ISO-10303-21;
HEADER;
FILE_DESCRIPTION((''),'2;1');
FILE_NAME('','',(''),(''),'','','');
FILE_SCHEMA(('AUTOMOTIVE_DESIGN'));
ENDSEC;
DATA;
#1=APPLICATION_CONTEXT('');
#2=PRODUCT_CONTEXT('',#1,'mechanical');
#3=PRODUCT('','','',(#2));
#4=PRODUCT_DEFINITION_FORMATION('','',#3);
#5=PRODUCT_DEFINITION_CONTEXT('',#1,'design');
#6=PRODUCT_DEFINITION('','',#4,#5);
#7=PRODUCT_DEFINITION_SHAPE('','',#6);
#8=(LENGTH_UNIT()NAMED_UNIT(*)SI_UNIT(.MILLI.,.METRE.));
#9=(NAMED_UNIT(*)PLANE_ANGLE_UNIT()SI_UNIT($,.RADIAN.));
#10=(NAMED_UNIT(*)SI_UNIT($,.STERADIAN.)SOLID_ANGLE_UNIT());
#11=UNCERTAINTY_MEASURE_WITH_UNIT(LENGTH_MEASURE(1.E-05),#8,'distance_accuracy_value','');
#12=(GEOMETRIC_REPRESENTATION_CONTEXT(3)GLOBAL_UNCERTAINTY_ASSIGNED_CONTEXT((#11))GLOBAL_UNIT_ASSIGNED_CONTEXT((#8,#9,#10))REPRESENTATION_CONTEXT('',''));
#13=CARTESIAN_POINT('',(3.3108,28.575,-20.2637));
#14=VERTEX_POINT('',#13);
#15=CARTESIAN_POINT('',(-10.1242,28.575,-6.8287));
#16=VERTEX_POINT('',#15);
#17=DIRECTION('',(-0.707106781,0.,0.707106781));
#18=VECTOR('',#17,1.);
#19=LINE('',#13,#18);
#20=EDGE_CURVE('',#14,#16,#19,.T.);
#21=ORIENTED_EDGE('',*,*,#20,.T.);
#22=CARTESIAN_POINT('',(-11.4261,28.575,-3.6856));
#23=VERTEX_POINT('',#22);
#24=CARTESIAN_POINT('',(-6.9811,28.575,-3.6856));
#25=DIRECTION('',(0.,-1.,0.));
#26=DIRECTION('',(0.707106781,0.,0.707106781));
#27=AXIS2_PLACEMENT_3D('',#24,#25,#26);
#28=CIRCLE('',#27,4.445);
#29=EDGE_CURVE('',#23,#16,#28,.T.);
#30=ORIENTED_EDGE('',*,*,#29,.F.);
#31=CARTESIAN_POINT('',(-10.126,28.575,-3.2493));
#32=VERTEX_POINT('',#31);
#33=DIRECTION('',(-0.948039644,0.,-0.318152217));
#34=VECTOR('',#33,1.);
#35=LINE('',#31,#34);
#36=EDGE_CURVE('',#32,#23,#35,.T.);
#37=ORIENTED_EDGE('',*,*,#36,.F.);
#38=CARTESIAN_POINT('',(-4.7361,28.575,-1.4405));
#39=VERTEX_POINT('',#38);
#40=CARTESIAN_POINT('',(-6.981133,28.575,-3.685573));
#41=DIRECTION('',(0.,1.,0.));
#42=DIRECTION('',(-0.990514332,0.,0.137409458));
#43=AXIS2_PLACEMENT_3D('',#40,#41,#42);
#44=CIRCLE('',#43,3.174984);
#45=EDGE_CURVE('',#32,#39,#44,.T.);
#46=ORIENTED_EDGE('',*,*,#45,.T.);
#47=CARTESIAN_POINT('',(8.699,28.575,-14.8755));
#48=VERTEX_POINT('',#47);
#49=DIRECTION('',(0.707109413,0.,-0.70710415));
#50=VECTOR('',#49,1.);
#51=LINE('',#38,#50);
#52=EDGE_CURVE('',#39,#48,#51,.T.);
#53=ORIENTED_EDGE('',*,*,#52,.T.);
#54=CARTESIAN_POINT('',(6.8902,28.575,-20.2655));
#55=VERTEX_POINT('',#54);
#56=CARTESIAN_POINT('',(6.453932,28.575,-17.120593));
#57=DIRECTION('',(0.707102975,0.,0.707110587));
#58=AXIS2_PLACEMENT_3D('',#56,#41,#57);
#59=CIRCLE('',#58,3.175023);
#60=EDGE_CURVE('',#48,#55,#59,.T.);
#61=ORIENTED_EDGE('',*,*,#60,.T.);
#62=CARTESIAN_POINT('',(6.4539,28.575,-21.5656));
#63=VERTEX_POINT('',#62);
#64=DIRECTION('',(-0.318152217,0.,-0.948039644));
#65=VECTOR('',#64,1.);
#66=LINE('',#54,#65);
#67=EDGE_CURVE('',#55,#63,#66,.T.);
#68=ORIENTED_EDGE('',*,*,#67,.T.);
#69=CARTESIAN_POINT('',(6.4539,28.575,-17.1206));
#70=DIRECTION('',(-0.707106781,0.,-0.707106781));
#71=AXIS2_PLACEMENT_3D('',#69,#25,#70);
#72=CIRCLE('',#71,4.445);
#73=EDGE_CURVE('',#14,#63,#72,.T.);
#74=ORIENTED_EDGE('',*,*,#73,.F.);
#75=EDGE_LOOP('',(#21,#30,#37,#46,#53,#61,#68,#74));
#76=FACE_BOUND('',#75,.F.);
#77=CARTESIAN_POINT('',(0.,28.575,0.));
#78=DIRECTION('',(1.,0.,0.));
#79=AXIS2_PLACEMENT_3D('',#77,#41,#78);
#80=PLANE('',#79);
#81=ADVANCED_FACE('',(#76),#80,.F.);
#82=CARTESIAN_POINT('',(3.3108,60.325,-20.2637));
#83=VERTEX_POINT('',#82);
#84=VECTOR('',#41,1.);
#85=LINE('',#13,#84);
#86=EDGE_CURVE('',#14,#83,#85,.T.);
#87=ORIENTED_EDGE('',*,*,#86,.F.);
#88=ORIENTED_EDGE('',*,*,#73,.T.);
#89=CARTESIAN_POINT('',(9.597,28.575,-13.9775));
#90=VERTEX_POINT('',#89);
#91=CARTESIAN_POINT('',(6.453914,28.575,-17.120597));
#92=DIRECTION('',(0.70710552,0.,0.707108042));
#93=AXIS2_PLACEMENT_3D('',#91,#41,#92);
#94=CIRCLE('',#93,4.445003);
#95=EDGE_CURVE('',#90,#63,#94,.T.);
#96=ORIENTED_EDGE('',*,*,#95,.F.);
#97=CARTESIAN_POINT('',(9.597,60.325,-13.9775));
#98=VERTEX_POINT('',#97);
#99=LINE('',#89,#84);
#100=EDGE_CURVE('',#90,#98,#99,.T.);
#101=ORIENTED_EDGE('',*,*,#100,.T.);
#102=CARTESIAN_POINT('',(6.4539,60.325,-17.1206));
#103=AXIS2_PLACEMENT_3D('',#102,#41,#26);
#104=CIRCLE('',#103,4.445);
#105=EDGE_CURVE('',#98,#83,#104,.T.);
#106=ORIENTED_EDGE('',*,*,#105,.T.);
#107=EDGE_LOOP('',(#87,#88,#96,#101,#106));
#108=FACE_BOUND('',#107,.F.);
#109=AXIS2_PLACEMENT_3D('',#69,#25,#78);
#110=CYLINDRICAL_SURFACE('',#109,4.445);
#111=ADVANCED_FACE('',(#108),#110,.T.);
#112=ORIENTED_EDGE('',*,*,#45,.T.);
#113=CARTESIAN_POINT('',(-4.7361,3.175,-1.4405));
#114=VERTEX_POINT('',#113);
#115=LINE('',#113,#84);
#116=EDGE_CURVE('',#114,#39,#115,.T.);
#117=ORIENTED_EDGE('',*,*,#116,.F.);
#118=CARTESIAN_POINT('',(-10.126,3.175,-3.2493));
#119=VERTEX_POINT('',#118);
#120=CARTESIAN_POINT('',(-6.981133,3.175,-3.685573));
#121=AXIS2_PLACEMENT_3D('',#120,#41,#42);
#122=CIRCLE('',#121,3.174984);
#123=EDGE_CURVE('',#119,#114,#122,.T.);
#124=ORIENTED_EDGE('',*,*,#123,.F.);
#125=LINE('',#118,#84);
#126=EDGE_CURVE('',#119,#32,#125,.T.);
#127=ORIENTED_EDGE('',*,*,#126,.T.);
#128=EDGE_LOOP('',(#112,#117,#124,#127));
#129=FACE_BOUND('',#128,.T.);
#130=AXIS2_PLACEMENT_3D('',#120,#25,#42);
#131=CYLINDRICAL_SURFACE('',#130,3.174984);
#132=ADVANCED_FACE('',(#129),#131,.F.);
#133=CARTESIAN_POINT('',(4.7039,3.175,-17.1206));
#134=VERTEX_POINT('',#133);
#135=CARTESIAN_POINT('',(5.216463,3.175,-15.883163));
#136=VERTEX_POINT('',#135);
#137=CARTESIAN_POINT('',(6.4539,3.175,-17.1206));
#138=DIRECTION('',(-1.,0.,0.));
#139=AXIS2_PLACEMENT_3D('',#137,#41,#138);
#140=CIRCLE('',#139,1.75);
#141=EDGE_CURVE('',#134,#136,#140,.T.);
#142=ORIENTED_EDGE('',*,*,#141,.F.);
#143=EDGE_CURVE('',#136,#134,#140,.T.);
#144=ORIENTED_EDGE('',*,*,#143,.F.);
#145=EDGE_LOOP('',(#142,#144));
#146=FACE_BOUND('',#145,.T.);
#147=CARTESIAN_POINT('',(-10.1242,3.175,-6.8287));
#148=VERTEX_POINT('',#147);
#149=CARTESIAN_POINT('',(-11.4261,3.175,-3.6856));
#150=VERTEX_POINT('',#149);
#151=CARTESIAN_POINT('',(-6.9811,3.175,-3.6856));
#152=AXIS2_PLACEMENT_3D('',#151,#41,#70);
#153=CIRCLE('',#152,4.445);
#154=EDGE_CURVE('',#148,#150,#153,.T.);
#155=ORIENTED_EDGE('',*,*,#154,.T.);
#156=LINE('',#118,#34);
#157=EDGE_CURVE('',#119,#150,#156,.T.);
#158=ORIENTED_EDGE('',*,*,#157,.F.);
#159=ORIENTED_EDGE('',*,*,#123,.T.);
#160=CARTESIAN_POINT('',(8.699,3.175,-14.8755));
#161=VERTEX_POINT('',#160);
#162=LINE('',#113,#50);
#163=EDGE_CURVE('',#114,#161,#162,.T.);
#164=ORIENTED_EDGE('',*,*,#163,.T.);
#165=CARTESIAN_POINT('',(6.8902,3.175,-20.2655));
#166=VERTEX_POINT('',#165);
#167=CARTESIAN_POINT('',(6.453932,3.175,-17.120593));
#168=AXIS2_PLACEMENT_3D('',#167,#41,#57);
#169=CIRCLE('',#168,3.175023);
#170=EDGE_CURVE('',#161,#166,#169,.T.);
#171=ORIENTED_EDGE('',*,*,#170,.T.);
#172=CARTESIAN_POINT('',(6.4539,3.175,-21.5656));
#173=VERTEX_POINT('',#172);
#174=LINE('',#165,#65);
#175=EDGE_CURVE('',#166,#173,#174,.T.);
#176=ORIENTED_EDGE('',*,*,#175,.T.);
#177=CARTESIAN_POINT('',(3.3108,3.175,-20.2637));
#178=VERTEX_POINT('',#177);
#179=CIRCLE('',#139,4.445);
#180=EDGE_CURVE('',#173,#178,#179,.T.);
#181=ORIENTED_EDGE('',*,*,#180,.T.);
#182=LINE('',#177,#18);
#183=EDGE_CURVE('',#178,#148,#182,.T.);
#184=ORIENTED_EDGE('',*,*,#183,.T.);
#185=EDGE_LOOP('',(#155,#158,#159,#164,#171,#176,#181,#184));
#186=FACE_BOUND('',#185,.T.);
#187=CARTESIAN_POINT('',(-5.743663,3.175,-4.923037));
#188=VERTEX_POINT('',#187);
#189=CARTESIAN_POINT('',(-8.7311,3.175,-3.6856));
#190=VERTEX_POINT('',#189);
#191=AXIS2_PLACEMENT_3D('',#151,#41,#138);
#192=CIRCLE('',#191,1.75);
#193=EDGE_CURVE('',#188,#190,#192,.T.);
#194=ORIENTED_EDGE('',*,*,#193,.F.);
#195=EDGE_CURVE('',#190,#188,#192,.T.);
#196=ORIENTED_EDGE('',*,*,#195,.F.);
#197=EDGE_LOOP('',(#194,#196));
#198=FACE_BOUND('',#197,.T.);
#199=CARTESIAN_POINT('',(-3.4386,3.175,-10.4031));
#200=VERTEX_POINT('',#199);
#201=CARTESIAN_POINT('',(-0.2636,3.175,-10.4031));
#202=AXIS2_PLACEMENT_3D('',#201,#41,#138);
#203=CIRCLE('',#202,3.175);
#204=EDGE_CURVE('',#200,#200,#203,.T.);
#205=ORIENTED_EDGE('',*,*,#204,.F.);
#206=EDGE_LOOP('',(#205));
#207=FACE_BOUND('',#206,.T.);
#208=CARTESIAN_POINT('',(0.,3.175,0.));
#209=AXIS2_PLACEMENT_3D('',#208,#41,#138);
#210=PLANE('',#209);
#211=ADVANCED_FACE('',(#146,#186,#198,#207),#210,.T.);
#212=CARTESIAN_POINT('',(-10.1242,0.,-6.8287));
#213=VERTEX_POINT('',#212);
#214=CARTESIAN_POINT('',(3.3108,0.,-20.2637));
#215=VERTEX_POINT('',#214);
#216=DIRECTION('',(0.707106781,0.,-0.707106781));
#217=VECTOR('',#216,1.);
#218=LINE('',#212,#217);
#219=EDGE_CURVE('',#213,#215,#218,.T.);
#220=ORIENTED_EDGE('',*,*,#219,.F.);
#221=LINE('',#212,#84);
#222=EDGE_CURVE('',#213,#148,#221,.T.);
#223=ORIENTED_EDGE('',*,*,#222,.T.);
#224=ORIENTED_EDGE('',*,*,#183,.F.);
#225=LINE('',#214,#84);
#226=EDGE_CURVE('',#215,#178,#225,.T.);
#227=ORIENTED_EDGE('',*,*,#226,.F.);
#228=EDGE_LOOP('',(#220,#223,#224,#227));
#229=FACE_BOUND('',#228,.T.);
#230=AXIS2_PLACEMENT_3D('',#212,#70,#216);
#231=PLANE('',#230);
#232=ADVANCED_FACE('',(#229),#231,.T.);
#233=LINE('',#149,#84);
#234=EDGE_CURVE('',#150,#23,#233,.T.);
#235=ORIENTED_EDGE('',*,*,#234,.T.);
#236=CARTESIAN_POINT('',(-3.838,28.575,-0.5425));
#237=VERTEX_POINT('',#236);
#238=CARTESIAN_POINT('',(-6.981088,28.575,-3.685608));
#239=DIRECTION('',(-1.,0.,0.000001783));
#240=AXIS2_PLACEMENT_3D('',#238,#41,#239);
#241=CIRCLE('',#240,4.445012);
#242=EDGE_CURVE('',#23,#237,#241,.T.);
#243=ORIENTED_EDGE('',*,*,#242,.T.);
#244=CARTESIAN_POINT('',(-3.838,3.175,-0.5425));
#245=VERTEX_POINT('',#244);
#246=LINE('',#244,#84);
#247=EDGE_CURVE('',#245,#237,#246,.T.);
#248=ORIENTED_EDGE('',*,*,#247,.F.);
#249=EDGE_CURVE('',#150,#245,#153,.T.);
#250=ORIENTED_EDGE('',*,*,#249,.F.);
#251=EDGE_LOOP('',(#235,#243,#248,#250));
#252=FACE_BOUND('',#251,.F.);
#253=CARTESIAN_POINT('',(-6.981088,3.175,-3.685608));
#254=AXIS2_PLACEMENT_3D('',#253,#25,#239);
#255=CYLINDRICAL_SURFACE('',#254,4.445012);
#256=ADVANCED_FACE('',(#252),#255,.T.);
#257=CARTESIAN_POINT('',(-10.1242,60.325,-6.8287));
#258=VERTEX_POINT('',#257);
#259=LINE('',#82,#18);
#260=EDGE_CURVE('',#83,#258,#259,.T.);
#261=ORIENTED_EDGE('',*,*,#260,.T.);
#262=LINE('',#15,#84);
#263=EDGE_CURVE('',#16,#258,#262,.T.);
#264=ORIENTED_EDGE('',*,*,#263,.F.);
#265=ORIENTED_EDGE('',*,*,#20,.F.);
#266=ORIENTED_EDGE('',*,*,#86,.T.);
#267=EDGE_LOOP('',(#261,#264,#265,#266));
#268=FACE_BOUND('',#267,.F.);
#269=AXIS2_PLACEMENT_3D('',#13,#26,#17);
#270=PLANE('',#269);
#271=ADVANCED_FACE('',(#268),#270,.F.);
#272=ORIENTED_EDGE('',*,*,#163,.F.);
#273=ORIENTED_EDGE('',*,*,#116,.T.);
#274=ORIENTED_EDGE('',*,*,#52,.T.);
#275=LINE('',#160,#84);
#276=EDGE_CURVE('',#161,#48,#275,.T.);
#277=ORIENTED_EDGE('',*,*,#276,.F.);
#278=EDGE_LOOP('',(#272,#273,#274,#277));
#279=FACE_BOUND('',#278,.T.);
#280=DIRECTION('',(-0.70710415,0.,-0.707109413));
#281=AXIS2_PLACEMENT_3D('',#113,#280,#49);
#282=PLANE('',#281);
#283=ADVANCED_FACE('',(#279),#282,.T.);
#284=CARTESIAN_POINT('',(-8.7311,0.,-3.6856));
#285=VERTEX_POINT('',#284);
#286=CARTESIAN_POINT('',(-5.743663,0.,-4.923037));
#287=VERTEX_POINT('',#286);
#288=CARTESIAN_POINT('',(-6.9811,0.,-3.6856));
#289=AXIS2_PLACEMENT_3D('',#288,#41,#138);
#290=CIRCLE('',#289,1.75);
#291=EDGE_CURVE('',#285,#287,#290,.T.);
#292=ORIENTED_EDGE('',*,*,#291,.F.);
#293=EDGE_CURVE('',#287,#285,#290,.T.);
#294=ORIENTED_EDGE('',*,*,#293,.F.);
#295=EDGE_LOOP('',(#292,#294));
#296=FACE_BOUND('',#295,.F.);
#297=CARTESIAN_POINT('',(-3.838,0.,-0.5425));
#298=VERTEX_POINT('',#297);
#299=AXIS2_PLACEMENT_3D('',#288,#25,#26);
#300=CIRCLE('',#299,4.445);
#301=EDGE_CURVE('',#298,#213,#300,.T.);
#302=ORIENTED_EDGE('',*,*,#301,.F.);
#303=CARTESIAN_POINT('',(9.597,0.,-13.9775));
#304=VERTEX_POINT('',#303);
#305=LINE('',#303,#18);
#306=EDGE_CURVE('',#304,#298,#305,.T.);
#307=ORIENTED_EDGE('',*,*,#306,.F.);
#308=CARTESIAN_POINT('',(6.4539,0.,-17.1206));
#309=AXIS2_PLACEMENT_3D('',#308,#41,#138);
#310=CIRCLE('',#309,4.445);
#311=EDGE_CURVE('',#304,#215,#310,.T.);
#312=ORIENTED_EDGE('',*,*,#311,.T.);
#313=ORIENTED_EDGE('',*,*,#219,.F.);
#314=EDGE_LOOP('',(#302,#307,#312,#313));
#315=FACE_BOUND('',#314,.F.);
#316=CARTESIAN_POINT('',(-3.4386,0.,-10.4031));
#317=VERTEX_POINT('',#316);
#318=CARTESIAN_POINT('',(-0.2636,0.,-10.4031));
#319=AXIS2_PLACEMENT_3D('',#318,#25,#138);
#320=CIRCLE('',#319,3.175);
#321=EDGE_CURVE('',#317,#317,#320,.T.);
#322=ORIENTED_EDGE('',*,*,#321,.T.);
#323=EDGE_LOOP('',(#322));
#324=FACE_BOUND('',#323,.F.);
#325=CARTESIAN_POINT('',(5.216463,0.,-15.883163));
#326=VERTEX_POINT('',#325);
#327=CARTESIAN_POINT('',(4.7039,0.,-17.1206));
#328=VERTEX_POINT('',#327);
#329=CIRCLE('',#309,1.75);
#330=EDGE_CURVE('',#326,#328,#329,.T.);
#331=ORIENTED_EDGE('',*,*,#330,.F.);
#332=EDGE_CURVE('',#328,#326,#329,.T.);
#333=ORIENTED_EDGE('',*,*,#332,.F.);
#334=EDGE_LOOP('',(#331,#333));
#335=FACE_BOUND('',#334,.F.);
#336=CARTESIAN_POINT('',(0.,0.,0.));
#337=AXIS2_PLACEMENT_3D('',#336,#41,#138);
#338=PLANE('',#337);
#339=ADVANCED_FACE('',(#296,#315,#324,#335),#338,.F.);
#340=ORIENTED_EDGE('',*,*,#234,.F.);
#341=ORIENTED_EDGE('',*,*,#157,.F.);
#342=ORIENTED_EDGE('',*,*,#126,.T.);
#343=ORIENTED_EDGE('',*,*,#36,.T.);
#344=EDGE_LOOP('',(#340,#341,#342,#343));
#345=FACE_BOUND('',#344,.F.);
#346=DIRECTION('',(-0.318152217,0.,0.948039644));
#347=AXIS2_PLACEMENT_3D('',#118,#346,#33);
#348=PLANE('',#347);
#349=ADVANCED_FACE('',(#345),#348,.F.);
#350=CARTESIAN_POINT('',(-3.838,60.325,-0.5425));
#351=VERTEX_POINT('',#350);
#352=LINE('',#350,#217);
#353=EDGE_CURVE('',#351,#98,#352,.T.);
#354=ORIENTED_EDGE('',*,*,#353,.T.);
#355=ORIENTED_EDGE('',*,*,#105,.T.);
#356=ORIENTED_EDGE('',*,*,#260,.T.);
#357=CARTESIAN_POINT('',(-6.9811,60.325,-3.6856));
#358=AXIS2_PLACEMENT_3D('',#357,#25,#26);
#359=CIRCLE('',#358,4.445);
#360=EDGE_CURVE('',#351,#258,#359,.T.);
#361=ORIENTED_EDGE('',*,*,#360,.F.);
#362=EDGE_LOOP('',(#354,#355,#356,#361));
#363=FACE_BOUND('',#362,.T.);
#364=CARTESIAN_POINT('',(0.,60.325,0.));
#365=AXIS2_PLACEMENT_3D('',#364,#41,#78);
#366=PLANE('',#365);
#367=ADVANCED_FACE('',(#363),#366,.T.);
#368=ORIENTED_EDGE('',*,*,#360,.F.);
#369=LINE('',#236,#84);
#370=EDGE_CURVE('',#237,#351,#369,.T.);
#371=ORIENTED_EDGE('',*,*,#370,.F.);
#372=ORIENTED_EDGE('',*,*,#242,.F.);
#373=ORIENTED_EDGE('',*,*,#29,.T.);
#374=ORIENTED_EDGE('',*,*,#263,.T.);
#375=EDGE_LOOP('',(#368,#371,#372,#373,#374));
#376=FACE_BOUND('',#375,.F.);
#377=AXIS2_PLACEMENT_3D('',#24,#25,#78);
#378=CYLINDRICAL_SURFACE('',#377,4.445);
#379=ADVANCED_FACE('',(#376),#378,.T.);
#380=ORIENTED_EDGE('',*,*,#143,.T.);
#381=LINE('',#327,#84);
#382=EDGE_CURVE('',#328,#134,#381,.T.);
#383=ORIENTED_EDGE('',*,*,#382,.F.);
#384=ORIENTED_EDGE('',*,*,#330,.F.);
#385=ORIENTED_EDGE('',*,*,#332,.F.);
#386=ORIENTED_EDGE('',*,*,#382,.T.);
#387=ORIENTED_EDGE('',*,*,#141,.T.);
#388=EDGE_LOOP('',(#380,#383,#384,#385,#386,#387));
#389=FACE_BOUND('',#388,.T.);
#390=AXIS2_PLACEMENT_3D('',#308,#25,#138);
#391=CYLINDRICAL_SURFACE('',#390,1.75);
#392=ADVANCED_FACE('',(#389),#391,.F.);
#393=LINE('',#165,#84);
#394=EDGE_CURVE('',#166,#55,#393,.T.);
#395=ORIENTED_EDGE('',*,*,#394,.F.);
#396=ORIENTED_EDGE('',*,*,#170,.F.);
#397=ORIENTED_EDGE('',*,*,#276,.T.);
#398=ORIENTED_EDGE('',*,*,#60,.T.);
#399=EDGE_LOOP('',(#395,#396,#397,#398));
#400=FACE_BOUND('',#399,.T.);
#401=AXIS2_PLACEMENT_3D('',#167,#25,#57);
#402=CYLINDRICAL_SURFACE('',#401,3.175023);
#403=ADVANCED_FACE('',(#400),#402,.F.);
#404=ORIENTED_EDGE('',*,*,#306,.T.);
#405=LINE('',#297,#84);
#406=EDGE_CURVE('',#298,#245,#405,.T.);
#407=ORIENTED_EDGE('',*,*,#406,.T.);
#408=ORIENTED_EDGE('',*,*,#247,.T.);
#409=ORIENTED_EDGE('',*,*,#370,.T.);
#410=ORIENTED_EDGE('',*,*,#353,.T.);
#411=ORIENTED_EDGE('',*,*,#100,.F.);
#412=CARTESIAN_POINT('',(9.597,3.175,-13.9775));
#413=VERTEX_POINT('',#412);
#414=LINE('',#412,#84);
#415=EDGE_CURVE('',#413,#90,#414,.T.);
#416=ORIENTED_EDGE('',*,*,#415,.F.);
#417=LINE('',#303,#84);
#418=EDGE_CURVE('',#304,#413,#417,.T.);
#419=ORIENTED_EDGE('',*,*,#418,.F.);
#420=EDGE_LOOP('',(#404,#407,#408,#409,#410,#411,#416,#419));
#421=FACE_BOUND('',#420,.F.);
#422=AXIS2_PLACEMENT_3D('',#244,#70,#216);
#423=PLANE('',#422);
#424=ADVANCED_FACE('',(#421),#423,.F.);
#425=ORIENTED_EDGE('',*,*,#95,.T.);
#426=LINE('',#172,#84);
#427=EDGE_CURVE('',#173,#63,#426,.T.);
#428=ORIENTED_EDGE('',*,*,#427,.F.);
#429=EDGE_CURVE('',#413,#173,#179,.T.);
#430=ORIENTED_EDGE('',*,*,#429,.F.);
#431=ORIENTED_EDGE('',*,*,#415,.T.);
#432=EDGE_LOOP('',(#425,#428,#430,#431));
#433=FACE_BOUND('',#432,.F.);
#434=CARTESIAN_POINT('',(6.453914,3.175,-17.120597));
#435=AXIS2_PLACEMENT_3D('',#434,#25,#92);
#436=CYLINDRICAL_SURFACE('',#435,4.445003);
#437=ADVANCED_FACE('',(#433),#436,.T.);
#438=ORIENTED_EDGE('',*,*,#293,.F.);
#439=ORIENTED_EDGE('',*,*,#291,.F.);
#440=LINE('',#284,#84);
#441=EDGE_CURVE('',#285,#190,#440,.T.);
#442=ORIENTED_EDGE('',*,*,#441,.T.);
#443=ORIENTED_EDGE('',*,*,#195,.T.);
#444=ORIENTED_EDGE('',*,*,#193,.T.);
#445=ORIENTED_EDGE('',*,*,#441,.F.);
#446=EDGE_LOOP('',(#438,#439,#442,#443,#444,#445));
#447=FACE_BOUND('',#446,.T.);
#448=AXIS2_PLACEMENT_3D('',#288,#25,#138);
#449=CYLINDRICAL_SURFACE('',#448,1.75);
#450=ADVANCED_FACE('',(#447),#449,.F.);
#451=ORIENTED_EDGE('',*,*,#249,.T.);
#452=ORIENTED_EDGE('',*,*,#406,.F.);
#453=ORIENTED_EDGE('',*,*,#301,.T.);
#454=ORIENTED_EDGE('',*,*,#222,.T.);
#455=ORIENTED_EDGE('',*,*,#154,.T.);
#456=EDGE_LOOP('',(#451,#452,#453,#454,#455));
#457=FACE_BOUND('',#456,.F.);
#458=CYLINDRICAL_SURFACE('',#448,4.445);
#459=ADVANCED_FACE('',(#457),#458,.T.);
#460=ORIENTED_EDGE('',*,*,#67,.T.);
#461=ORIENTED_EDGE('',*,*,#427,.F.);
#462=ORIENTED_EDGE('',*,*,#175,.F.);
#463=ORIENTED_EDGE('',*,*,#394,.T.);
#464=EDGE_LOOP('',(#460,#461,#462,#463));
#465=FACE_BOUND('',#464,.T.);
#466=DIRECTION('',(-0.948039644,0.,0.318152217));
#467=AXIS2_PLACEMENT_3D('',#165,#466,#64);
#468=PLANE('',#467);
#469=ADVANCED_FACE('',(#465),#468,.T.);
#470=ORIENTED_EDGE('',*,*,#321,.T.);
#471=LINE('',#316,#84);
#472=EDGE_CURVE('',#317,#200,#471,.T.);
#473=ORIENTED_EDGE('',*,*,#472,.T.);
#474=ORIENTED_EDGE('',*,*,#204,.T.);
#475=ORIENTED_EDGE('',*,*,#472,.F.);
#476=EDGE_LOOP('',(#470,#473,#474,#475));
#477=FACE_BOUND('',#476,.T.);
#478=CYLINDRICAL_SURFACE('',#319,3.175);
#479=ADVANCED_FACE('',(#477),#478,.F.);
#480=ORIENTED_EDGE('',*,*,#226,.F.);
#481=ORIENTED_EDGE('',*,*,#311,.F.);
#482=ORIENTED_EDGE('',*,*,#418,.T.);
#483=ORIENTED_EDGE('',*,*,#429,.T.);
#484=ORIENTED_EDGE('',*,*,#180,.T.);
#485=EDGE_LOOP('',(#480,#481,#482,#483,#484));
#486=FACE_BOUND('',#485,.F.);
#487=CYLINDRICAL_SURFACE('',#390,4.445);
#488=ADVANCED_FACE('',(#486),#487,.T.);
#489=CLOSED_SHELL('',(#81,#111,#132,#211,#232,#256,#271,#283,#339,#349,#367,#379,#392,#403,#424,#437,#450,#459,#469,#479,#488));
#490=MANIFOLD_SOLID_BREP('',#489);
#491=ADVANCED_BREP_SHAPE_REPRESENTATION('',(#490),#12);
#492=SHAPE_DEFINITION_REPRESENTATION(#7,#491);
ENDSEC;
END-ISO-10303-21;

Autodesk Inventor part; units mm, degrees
ref_plane "YZ Plane" through (0, 0, 0) normal (1, 0, 0) x (0, 1, 0)
ref_plane "XZ Plane" through (0, 0, 0) normal (0, 1, 0) x (-1, 0, 0)
ref_plane "XY Plane" through (0, 0, 0) normal (0, 0, 1) x (1, 0, 0)
sketch "Sketch1" plane through (0, 0, 0) normal (0, 1, 0) x (-1, 0, 0)
  circle A0 centre (0.2636, -10.4031) radius 3.175
  line L0 (0.2636, -10.4031) -> (6.9811, -3.6856)
  line L1 (0.2636, -10.4031) -> (6.0619, -16.2014)
  line L2 (0.2636, -10.4031) -> (-5.5347, -4.6048)
  line L3 (0.2636, -10.4031) -> (-6.4539, -17.1206)
  circle A1 centre (6.9811, -3.6856) radius 1.75
  circle A2 centre (6.0619, -16.2014) radius 1.75
  circle A3 centre (-6.4539, -17.1206) radius 1.75
  circle A4 centre (-5.5347, -4.6048) radius 1.75
  circle A5 centre (0.2636, -10.4031) radius 14.1446
  circle A6 centre (6.9811, -3.6856) radius 4.445
  circle A7 centre (-6.4539, -17.1206) radius 4.445
  line L4 (3.838, -0.5425) -> (-9.597, -13.9775)
  line L5 (10.1242, -6.8287) -> (-3.3108, -20.2637)
  circle A8 centre (6.9811, -3.6856) radius 2.3813
  point P0 (0, 0)
  dimension "d3" = 9.5
  dimension "d4" = 90
  dimension "d5" = 90
  dimension "d6" = 90
  dimension "d7" = 3.5
  dimension "d8" = 3.5
  dimension "d9" = 3.5
  dimension "d10" = 3.5
  dimension "d12" = 8.89
  dimension "d13" = 8.89
  dimension "d18" = 4.7625
extrude "Extrusion2" add sketch "Sketch1" along normal blind 3.175 contours A0 L0 A6 L5 L1 | A0 L2 L4 A6 L0 | L1 L5 A7 L3 A0 | A0 L3 A7 L4 L2 | A8 | A6 | A7
sketch "Sketch3" plane through (0, 3.175, 0) normal (0, 1, 0) x (1, 0, 0)
  circle A0 centre (-6.9811, 3.6856) radius 1.75 projected
  line L0 (-6.9811, 3.6856) -> (-6.9811, 13.6529)
  arc A1 (-11.4261, 3.6856) -> (-3.838, 0.5425) centre (-6.9811, 3.6856) ccw
  arc A2 (-10.126, 3.2493) -> (-4.7361, 1.4405) centre (-6.9811, 3.6856) ccw
  circle A3 centre (6.4539, 17.1206) radius 1.75 projected
  arc A4 (8.699, 14.8755) -> (6.8902, 20.2655) centre (6.4539, 17.1206) ccw
  arc A5 (9.597, 13.9775) -> (6.4539, 21.5656) centre (6.4539, 17.1206) ccw
  line L1 (-3.838, 0.5425) -> (9.597, 13.9775) projected
  line L2 (-3.838, 0.5425) -> (9.597, 13.9775)
  line L3 (-4.7361, 1.4405) -> (8.699, 14.8755)
  arc A6 (-10.1242, 6.8287) -> (-3.838, 0.5425) centre (-6.9811, 3.6856) ccw projected
  line L4 (6.8902, 20.2655) -> (6.4539, 21.5656)
  line L5 (-10.126, 3.2493) -> (-11.4261, 3.6856)
  point P0 (0, 0)
extrude "Extrusion3" add sketch "Sketch3" along normal blind 25.4 contours L5 A2 L3 A4 L4 A5 L1 A1
sketch "Sketch4" plane through (0, 28.575, 0) normal (0, 1, 0) x (1, 0, 0)
  circle A0 centre (-6.9811, 3.6856) radius 1.75 projected
  circle A1 centre (-6.9811, 3.6856) radius 4.445
  circle A2 centre (6.4539, 17.1206) radius 1.75 projected
  circle A3 centre (6.4539, 17.1206) radius 4.445
  arc A4 (-11.4261, 3.6856) -> (-3.838, 0.5425) centre (-6.9811, 3.6856) ccw projected
  line L0 (-3.838, 0.5425) -> (9.597, 13.9775)
  line L1 (3.3108, 20.2637) -> (-10.1242, 6.8287) projected
  line L2 (-10.1242, 6.8287) -> (3.3108, 20.2637)
  point P0 (0, 0)
extrude "Extrusion4" add sketch "Sketch4" along normal blind 31.75 contours A0 | A1 | A1 L1 A3 L0 | A3 | A2
properties part number "Drone_leg"
